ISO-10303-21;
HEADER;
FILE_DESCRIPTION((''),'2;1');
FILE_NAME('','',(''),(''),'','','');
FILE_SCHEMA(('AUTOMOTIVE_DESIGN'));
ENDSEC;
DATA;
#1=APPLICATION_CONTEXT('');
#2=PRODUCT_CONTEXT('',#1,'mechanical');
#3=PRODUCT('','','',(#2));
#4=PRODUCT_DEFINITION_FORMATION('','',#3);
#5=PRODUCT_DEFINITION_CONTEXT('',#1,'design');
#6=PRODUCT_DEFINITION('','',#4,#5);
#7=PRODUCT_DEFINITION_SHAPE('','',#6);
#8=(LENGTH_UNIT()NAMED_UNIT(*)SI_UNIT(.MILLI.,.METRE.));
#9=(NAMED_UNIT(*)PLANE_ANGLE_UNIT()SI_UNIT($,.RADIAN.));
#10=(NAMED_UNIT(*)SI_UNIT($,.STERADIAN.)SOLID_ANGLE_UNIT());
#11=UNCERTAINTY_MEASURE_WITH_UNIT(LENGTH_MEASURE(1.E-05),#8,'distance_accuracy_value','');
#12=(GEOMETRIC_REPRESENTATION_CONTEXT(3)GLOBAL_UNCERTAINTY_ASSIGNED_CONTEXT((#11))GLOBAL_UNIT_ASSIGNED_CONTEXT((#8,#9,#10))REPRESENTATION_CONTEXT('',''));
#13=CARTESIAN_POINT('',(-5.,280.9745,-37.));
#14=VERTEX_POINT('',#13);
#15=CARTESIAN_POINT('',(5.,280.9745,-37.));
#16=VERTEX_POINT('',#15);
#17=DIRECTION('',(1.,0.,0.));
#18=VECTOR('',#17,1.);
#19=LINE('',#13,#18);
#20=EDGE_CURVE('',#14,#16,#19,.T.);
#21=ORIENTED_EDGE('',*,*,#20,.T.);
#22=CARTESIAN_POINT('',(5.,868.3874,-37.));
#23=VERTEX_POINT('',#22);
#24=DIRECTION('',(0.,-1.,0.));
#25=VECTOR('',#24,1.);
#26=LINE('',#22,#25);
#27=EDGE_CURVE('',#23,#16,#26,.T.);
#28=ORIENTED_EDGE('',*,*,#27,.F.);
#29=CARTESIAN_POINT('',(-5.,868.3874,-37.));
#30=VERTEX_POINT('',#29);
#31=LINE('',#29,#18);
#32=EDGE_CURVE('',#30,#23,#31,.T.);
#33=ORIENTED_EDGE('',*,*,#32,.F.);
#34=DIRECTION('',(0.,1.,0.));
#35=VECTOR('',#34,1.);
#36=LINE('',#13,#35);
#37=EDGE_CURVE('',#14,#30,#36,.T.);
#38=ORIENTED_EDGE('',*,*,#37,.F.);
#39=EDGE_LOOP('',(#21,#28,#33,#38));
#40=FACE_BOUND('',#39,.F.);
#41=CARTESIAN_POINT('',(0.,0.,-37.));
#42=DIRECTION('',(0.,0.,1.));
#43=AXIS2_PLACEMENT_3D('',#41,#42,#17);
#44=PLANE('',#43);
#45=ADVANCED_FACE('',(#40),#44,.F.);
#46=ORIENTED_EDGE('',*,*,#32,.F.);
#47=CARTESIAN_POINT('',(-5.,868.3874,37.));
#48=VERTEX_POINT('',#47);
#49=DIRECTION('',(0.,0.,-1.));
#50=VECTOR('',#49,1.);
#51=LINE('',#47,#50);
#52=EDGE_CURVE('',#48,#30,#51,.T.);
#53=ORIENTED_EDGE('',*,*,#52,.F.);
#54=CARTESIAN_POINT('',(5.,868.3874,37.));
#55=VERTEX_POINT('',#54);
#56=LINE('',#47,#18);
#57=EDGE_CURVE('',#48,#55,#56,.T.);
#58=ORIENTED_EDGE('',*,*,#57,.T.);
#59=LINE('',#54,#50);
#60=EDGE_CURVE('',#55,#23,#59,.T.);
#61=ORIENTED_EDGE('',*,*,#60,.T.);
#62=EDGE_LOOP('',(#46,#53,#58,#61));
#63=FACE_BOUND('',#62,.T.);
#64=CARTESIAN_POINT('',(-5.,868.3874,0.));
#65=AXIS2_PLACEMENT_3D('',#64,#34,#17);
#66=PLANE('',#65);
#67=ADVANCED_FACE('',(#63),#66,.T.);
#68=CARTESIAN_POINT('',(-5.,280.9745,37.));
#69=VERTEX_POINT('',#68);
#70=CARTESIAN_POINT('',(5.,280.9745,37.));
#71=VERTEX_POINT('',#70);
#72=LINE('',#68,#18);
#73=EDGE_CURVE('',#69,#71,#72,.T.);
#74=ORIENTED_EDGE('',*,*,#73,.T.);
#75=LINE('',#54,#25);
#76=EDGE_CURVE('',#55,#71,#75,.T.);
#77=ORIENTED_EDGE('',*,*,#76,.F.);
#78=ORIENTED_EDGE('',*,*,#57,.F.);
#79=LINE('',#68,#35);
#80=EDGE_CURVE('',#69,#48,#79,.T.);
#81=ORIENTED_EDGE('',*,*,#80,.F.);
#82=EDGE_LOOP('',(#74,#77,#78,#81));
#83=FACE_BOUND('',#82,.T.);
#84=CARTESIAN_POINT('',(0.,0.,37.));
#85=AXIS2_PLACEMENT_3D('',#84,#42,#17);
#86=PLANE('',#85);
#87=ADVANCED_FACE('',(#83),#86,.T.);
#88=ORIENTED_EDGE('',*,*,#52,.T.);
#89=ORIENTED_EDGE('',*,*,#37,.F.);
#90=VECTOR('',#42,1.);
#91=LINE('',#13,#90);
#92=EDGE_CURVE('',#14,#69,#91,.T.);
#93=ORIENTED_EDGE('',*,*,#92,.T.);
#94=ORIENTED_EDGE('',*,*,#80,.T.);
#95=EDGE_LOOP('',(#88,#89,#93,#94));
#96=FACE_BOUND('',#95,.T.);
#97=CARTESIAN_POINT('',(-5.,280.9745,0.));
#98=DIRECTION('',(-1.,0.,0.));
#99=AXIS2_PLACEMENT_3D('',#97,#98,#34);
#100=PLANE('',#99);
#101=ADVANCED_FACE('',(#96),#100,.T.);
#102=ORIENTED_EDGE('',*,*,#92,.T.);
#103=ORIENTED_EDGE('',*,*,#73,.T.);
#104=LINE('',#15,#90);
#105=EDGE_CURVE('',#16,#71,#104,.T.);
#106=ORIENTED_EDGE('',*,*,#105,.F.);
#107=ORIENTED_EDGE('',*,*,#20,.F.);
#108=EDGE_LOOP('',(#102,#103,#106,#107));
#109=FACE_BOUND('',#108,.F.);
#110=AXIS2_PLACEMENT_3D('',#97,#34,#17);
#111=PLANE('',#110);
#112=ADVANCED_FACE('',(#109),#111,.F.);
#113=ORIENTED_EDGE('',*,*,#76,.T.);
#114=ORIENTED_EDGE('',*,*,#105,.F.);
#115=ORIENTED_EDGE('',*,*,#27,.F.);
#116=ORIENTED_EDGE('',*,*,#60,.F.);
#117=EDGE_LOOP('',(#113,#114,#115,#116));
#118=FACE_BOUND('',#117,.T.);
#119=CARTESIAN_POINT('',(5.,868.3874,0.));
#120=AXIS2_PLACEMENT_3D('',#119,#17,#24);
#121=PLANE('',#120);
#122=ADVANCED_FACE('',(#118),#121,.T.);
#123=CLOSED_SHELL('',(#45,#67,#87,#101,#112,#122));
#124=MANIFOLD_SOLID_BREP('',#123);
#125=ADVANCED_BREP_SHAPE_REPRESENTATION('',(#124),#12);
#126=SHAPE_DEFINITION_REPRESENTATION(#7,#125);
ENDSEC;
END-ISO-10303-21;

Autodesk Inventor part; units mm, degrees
ref_plane "YZ Plane" through (0, 0, 0) normal (1, 0, 0) x (0, 1, 0)
ref_plane "XZ Plane" through (0, 0, 0) normal (0, 1, 0) x (-1, 0, 0)
ref_plane "XY Plane" through (0, 0, 0) normal (0, 0, 1) x (1, 0, 0)
sketch "Sketch1" plane through (0, 0, 0) normal (0, 0, 1) x (1, 0, 0)
  line L0 (0, 277.6336) -> (196.3166, 196.3166) construction
  line L1 (196.3166, 196.3166) -> (277.6336, 0) construction
  line L2 (277.6336, 0) -> (196.3166, -196.3166) construction
  line L3 (196.3166, -196.3166) -> (0, -277.6336) construction
  line L4 (0, -277.6336) -> (-196.3166, -196.3166) construction
  line L5 (-196.3166, -196.3166) -> (-277.6336, 0) construction
  line L6 (-277.6336, 0) -> (-196.3166, 196.3166) construction
  line L7 (-196.3166, 196.3166) -> (0, 277.6336) construction
  line L8 (-196.3166, 196.3166) -> (0, 277.6336) construction
  line L9 (-461.2666, 773.8898) -> (-221.0579, 873.3874) construction
  line L10 (-98.1583, 236.9751) -> (-341.1623, 823.6386) construction
  line L11 (-221.0579, 873.3874) -> (0, 873.3874) construction
  line L12 (0, 873.3874) -> (0, 277.6336) construction
  line L13 (-461.2666, 773.8898) -> (-617.5782, 617.5782) construction
  line L14 (-617.5782, 617.5782) -> (-196.3166, 196.3166) construction
  line L15 (-5, 868.3874) -> (-220.0634, 868.3874) construction
  line L16 (-220.0634, 868.3874) -> (-458.4343, 769.651) construction
  line L17 (-458.4343, 769.651) -> (-610.5071, 617.5782) construction
  line L18 (-610.5071, 617.5782) -> (-195.1434, 202.2145) construction
  line L19 (-195.1434, 202.2145) -> (-5, 280.9745) construction
  line L20 (-5, 280.9745) -> (-5, 868.3874)
  line L21 (-5, 868.3874) -> (-5, 280.9745) construction
  line L22 (5, 868.3874) -> (5, 280.9745)
  line L23 (-5, 280.9745) -> (5, 280.9745)
  line L24 (-5, 868.3874) -> (5, 868.3874)
  point P0 (0, 0)
  point P1 (0, 0)
  point P2 (0, 0)
  dimension "d0" = 513
  dimension "d1" = 260
  dimension "d2" = 635
  dimension "d6" = 5
extrude "Extrusion1" add sketch "Sketch1" along normal mid plane 74
equation "\"d0\" = Барабан_габарит_по_кассетам"
equation "\"d1\" = Кассета_длина_грани"
equation "\"d2\" = Кассета_высота"
equation "\"Барабан_габарит_по_кассетам\" = 513"
equation "\"Кассета_длина_грани\" = 260"
equation "\"Кассета_высота\" = 635"
properties part number "ДМФ 01 58 Фиксатор расстояния кассет v2.0"
